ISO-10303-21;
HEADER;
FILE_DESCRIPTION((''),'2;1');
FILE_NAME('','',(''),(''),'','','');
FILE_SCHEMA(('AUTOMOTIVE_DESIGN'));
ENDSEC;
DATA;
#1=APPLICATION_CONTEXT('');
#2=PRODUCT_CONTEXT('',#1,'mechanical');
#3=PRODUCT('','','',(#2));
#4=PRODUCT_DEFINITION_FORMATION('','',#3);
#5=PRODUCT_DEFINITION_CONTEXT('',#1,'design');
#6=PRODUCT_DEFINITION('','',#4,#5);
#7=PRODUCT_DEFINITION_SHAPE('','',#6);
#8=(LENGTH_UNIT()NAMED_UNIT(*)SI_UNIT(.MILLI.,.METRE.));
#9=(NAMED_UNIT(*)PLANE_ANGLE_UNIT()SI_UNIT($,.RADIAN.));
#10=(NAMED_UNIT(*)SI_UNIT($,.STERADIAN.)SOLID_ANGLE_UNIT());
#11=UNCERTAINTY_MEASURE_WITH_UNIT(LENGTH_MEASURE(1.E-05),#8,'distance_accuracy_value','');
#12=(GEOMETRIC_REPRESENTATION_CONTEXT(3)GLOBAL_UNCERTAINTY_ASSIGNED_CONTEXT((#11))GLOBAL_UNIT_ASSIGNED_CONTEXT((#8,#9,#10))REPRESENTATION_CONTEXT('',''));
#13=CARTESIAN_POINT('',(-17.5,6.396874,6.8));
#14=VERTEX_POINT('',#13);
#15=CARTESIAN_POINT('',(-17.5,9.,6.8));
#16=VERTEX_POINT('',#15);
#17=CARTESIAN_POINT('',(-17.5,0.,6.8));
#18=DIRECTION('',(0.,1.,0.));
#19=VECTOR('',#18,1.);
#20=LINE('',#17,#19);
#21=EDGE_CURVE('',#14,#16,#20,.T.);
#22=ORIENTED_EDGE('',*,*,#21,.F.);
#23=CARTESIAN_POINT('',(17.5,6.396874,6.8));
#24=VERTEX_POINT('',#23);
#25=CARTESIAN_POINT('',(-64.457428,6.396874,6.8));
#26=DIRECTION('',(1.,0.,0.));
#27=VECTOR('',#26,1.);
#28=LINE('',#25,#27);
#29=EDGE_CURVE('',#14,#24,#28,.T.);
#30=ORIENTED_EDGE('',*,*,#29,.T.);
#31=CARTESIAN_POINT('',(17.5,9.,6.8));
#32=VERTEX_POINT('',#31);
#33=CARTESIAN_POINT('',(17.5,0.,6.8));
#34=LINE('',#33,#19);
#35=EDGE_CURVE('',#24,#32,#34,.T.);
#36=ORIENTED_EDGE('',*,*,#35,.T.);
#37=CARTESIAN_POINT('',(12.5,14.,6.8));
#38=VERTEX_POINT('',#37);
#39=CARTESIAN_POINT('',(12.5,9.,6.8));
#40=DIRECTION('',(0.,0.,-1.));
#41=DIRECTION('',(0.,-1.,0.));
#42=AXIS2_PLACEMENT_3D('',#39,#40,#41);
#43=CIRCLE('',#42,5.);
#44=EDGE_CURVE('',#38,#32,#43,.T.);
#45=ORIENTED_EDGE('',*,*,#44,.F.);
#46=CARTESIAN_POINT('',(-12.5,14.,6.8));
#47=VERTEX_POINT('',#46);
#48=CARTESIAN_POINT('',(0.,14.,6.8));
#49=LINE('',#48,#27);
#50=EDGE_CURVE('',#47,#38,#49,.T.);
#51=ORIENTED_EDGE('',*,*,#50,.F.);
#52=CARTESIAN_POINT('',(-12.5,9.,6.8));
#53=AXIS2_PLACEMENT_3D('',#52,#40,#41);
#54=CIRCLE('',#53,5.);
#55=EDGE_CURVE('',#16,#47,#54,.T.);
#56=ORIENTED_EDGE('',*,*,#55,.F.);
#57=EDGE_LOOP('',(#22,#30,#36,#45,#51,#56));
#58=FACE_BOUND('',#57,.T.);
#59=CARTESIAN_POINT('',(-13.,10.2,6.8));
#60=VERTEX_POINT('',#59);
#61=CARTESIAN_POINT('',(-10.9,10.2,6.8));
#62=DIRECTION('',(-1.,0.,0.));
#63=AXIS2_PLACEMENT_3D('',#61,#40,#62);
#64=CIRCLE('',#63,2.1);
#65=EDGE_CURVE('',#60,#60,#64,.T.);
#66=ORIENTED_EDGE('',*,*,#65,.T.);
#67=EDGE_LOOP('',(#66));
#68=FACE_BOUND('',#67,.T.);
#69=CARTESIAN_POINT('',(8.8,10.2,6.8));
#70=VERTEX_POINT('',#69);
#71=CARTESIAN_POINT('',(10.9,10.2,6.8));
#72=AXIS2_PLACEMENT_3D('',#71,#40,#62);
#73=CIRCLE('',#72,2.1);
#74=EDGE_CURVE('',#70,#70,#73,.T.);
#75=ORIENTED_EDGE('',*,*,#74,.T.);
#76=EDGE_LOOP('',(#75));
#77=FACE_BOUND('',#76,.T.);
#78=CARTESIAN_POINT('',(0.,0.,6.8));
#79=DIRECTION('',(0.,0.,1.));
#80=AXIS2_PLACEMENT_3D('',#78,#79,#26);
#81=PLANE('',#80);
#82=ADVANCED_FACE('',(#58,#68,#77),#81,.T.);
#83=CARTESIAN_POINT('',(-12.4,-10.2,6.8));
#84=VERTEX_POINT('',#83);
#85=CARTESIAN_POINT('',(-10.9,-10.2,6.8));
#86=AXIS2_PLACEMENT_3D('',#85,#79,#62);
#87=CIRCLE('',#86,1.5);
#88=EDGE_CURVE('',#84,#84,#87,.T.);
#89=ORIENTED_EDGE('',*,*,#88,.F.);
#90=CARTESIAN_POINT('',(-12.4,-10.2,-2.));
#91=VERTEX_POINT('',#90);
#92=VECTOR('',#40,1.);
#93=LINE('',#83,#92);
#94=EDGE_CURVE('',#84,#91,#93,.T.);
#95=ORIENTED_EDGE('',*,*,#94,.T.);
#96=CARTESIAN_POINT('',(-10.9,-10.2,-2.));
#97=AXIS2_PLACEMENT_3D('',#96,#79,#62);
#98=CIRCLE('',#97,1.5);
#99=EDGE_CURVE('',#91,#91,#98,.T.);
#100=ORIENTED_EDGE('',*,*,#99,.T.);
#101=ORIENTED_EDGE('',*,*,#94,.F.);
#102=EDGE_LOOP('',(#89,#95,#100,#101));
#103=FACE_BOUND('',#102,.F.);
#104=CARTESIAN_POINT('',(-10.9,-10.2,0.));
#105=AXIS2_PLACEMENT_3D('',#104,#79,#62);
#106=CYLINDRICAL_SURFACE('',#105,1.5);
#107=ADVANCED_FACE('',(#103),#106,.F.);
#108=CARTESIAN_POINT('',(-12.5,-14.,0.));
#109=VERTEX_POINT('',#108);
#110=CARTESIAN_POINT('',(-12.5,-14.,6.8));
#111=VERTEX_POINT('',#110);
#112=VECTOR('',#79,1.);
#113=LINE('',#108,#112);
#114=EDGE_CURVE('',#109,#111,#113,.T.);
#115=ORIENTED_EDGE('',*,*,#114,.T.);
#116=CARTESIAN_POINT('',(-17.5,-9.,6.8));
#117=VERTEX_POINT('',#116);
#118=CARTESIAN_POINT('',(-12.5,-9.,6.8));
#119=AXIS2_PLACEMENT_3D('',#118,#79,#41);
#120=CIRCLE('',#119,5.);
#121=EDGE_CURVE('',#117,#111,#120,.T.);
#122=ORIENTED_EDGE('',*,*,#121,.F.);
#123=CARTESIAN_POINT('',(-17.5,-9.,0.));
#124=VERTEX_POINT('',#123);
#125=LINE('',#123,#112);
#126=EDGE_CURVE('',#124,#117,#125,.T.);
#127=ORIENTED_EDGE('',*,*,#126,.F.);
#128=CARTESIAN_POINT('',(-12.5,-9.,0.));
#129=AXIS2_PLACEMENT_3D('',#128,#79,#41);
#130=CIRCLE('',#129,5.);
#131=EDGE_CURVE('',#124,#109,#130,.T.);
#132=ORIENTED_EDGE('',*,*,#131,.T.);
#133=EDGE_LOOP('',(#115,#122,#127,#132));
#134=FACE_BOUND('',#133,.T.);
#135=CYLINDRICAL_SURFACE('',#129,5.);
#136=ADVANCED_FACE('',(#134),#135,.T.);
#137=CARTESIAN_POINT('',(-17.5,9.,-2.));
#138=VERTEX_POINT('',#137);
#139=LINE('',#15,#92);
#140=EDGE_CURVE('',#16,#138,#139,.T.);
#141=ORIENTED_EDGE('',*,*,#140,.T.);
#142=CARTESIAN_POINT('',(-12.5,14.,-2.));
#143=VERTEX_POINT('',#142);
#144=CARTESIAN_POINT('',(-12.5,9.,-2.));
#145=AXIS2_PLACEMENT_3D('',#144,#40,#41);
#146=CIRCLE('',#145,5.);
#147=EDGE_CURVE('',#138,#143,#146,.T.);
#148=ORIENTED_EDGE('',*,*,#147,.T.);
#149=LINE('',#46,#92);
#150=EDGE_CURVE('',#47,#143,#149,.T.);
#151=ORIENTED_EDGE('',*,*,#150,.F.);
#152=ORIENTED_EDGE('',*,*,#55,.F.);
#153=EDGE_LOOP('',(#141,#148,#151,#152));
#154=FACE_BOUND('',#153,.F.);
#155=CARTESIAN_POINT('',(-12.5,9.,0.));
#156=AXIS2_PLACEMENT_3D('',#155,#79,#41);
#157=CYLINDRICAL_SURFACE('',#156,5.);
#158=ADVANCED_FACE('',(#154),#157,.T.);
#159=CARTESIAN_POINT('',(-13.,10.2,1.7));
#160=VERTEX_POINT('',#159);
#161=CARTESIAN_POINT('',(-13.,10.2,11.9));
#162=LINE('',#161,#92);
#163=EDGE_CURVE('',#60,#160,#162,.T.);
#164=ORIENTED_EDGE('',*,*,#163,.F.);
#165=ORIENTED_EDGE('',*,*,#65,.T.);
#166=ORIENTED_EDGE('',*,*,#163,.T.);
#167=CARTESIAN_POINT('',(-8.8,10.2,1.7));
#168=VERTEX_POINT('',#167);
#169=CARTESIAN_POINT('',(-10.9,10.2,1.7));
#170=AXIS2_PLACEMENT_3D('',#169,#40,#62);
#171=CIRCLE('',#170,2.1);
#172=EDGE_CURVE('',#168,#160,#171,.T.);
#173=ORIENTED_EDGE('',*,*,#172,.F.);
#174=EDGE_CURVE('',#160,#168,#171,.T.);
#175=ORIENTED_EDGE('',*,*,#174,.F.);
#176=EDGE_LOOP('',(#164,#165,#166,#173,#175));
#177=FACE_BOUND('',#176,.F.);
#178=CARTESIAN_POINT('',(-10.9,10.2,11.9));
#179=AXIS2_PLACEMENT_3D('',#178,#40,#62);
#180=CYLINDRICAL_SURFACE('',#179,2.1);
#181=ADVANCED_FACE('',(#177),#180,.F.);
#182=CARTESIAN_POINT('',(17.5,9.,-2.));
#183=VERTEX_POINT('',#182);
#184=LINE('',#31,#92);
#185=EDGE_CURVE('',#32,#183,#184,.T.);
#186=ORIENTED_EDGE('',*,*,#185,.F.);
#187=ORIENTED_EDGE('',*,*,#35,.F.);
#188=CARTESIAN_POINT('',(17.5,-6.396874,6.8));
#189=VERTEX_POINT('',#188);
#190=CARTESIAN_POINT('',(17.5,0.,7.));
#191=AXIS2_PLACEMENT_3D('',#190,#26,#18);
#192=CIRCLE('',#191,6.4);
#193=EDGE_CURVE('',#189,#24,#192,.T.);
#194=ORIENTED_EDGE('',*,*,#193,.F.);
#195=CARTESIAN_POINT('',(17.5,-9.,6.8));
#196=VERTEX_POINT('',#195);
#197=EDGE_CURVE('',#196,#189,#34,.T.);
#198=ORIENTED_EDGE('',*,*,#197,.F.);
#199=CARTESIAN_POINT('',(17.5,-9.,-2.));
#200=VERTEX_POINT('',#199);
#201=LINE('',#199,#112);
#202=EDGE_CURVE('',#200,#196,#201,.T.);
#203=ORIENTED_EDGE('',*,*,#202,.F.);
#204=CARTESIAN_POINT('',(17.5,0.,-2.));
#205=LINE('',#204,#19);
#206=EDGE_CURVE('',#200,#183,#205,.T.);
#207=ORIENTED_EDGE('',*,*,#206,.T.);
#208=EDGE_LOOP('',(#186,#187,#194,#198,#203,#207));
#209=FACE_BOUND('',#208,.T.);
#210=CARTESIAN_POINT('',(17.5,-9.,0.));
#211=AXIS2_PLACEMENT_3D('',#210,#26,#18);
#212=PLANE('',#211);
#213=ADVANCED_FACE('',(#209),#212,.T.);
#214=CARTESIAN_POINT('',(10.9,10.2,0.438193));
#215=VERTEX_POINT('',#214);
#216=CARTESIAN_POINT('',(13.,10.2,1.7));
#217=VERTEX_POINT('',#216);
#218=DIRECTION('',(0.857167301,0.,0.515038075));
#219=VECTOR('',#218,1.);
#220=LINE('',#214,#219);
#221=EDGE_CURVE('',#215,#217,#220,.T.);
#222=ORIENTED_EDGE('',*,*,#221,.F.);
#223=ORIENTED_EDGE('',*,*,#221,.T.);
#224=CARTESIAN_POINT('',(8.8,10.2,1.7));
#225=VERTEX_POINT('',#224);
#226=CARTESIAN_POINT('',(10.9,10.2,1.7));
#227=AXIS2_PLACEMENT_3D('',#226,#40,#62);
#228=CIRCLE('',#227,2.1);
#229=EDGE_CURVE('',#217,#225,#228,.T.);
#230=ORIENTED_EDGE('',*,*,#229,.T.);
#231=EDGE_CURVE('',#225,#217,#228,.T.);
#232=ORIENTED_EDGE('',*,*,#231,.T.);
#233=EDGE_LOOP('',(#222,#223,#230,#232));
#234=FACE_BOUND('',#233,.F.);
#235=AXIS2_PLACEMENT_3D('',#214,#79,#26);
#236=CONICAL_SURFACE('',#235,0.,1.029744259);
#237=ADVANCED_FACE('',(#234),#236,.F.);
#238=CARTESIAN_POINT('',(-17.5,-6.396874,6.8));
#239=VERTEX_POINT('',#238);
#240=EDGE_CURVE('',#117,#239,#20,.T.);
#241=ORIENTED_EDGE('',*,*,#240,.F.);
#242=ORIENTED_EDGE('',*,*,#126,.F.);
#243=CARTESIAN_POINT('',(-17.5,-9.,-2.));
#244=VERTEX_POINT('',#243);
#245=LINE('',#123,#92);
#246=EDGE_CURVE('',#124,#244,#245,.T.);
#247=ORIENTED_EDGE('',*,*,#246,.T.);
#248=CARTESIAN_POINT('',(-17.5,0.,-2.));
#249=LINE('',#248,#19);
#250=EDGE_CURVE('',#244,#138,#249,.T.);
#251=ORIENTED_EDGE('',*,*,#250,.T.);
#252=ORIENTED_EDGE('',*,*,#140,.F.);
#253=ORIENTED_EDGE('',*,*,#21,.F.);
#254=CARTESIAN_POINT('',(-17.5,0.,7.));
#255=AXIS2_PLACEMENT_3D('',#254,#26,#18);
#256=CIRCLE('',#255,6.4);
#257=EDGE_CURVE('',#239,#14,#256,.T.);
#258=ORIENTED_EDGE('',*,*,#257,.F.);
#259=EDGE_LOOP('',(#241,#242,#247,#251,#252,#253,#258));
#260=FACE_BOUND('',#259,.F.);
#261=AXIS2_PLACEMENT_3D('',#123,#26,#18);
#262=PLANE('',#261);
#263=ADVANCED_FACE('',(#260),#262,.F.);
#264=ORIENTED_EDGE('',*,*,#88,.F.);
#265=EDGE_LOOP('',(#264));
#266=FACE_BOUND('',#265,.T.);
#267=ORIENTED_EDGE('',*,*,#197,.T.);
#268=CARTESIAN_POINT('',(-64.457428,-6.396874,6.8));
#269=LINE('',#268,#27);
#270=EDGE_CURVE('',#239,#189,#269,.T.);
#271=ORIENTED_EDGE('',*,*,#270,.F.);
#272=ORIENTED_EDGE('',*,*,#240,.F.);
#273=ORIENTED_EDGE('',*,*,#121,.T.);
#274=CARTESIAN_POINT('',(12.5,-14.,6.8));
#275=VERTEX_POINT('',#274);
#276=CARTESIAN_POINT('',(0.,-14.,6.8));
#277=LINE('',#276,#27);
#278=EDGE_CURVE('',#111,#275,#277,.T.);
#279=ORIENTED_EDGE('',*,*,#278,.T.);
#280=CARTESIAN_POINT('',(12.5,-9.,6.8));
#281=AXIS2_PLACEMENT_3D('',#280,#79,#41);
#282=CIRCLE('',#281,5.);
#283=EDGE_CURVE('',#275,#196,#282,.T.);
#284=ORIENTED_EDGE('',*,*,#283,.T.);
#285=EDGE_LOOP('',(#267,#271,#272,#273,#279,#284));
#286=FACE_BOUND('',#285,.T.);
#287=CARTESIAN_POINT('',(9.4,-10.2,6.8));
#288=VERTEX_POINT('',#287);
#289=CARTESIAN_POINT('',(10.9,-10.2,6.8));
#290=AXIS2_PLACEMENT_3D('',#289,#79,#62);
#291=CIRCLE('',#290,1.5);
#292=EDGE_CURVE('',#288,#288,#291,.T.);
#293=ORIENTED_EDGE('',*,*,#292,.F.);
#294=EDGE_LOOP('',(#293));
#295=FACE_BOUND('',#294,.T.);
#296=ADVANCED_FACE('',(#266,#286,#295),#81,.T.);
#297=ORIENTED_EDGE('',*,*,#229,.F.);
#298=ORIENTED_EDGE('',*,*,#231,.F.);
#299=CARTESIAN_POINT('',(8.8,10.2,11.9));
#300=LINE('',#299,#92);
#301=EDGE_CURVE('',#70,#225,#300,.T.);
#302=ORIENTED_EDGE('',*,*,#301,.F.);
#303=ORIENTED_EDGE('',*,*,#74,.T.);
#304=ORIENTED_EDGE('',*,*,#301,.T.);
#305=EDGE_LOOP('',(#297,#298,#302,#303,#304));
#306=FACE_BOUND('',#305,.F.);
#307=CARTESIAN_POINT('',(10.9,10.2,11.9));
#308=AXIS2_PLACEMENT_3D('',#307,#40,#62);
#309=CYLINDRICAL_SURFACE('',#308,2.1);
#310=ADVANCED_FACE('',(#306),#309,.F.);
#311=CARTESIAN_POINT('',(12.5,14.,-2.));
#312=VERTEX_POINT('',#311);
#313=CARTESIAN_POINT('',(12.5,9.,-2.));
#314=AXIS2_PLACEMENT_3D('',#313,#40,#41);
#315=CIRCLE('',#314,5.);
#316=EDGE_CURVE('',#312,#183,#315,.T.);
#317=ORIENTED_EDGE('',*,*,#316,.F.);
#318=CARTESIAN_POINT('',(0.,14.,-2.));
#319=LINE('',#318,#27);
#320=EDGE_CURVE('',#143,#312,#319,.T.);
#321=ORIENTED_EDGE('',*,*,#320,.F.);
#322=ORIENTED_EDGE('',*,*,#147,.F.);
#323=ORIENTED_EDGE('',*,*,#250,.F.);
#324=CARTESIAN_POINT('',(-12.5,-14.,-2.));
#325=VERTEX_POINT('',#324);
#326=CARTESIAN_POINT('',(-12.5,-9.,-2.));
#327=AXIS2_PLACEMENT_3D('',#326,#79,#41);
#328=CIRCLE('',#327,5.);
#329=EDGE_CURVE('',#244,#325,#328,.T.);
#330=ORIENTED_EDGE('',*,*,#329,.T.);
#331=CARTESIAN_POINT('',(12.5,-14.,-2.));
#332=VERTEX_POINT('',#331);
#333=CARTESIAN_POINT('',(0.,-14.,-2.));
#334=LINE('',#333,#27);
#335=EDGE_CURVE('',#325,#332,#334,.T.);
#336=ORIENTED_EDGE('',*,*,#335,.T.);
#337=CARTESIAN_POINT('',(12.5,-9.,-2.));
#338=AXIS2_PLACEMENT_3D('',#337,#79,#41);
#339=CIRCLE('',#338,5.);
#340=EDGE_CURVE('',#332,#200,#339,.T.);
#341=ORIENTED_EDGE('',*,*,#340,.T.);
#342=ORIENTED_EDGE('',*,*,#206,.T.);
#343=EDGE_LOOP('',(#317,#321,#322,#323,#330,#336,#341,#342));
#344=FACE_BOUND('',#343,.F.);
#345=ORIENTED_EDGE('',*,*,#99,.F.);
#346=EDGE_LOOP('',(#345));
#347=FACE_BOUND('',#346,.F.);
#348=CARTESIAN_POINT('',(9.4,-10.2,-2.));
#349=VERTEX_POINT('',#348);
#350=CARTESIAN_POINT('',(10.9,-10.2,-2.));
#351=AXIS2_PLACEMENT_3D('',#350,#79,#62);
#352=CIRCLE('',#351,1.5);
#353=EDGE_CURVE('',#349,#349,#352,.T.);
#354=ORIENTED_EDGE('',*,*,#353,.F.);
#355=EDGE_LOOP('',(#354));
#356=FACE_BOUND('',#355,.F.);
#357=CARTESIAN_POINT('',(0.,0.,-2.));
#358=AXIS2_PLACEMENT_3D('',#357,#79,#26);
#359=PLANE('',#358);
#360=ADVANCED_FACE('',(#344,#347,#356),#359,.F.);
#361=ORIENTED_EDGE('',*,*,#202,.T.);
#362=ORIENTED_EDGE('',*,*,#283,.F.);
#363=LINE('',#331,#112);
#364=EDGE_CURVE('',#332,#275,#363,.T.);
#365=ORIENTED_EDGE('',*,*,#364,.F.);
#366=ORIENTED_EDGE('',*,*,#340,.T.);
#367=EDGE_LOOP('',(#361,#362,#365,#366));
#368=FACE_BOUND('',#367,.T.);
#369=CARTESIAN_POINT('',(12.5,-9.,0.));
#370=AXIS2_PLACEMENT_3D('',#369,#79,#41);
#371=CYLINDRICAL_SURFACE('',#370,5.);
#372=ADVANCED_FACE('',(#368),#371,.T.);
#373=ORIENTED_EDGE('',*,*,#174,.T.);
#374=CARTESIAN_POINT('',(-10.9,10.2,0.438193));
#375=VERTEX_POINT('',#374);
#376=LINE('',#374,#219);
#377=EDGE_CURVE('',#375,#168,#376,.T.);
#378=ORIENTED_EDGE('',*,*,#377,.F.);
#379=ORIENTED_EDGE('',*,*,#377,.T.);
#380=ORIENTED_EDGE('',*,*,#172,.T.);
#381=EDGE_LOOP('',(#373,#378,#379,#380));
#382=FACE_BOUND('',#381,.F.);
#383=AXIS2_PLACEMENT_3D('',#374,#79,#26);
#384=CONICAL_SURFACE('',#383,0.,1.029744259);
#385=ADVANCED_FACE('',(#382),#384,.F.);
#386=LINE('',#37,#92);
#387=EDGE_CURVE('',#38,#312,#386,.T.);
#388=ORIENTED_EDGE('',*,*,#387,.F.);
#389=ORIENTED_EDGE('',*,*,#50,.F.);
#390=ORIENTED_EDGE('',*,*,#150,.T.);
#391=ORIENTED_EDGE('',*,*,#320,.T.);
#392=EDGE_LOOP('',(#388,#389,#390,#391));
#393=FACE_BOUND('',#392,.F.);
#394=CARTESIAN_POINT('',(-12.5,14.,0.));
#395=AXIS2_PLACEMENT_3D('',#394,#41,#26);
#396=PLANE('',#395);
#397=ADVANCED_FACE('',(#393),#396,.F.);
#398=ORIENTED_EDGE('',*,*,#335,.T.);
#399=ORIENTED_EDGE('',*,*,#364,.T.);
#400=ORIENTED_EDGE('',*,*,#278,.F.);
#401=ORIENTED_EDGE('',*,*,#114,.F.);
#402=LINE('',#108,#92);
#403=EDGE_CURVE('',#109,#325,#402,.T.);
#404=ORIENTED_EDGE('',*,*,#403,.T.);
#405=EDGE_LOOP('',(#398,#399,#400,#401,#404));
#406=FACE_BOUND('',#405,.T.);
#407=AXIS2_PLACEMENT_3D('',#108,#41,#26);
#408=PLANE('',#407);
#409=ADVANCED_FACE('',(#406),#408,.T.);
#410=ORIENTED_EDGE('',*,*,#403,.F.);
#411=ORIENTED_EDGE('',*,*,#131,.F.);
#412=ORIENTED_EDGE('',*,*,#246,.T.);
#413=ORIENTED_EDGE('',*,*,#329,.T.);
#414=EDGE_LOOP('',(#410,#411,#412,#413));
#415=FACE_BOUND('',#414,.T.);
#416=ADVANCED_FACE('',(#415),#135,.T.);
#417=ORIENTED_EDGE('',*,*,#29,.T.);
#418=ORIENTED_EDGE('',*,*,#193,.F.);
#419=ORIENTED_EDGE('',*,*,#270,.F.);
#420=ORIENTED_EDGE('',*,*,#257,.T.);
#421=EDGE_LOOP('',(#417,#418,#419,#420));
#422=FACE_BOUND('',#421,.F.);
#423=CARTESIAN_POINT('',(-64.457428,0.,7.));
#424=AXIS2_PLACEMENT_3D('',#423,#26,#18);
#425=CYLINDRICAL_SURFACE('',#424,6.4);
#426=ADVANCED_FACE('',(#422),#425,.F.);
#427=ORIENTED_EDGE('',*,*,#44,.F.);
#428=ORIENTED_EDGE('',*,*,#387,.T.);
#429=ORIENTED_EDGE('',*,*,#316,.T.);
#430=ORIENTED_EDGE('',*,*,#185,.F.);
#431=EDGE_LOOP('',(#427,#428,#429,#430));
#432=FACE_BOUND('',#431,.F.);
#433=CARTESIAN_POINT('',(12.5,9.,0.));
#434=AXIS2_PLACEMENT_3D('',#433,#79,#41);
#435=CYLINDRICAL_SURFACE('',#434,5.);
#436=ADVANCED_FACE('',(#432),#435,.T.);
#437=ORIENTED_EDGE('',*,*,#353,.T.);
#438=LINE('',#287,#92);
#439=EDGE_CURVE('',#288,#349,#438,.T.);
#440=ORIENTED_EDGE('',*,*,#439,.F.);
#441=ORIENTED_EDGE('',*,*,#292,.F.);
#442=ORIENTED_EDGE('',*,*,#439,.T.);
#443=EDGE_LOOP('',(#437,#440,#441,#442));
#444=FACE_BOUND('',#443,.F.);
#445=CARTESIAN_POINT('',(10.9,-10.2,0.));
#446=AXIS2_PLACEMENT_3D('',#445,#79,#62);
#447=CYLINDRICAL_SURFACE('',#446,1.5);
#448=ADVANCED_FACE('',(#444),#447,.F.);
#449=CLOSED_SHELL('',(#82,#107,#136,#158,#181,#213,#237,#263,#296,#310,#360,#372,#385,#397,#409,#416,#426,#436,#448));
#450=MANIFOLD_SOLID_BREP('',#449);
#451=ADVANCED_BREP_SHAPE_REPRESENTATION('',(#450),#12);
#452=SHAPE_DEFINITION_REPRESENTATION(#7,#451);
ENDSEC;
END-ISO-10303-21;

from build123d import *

# Parameters (mm, degrees)
F0_W     = 35
F0_H     = 28
F1_DEPTH = 14
F3_D     = 12.8
F4_DEPTH = 7.2
F5_R     = 5
F6_D     = 3
F8_D     = 4.2
F8_DEPTH = 5.1
F8_TIP   = 1.2618073
F9_DEPTH = 2


with BuildPart() as f1:
    # F0 (on Top) → F1 (new body)
    with BuildSketch(Plane.XY):
        Rectangle(F0_W, F0_H)
    extrude(amount=F1_DEPTH)

    # F3 (through all)
    with Locations(Plane(origin=(-17.5, 0, 0), x_dir=(0, -1, 0), z_dir=(-1, 0, 0))):
        with Locations((0, 7)):
            Hole(F3_D / 2)

    # F4 (cut): a face of the model
    f4_faces = [f1.faces().sort_by_distance(p)[0] for p in [
        (0, 0, 14),
    ]]
    extrude(f4_faces, amount=-F4_DEPTH, mode=Mode.SUBTRACT)

    # F5
    f5_edges = [f1.edges().sort_by_distance(p)[0] for p in [
        (17.5, 14, 3.4),
        (-17.5, 14, 3.4),
        (17.5, -14, 3.4),
        (-17.5, -14, 3.4),
    ]]
    fillet(f5_edges, radius=F5_R)

    # F6 (through all)
    with Locations(Plane(origin=(0, 0, 0), x_dir=(1, 0, 0), z_dir=(0, 0, -1))):
        with Locations((10.9, 10.2), (-10.9, 10.2)):
            Hole(F6_D / 2)

    # F8
    with Locations(Plane.XY.offset(6.8)):
        with Locations((-10.9, 10.2), (10.9, 10.2)):
            Hole(F8_D / 2, depth=F8_DEPTH)
            with Locations((0, 0, -(F8_DEPTH + F8_TIP / 2))):  # 118° drill point
                Cone(0, F8_D / 2, F8_TIP, mode=Mode.SUBTRACT)

    # F9 (add): a face of the model
    f9_faces = [f1.faces().sort_by_distance(p)[0] for p in [
        (0, 0.15268816, 0),
    ]]
    extrude(f9_faces, amount=F9_DEPTH)


solid = f1.part
